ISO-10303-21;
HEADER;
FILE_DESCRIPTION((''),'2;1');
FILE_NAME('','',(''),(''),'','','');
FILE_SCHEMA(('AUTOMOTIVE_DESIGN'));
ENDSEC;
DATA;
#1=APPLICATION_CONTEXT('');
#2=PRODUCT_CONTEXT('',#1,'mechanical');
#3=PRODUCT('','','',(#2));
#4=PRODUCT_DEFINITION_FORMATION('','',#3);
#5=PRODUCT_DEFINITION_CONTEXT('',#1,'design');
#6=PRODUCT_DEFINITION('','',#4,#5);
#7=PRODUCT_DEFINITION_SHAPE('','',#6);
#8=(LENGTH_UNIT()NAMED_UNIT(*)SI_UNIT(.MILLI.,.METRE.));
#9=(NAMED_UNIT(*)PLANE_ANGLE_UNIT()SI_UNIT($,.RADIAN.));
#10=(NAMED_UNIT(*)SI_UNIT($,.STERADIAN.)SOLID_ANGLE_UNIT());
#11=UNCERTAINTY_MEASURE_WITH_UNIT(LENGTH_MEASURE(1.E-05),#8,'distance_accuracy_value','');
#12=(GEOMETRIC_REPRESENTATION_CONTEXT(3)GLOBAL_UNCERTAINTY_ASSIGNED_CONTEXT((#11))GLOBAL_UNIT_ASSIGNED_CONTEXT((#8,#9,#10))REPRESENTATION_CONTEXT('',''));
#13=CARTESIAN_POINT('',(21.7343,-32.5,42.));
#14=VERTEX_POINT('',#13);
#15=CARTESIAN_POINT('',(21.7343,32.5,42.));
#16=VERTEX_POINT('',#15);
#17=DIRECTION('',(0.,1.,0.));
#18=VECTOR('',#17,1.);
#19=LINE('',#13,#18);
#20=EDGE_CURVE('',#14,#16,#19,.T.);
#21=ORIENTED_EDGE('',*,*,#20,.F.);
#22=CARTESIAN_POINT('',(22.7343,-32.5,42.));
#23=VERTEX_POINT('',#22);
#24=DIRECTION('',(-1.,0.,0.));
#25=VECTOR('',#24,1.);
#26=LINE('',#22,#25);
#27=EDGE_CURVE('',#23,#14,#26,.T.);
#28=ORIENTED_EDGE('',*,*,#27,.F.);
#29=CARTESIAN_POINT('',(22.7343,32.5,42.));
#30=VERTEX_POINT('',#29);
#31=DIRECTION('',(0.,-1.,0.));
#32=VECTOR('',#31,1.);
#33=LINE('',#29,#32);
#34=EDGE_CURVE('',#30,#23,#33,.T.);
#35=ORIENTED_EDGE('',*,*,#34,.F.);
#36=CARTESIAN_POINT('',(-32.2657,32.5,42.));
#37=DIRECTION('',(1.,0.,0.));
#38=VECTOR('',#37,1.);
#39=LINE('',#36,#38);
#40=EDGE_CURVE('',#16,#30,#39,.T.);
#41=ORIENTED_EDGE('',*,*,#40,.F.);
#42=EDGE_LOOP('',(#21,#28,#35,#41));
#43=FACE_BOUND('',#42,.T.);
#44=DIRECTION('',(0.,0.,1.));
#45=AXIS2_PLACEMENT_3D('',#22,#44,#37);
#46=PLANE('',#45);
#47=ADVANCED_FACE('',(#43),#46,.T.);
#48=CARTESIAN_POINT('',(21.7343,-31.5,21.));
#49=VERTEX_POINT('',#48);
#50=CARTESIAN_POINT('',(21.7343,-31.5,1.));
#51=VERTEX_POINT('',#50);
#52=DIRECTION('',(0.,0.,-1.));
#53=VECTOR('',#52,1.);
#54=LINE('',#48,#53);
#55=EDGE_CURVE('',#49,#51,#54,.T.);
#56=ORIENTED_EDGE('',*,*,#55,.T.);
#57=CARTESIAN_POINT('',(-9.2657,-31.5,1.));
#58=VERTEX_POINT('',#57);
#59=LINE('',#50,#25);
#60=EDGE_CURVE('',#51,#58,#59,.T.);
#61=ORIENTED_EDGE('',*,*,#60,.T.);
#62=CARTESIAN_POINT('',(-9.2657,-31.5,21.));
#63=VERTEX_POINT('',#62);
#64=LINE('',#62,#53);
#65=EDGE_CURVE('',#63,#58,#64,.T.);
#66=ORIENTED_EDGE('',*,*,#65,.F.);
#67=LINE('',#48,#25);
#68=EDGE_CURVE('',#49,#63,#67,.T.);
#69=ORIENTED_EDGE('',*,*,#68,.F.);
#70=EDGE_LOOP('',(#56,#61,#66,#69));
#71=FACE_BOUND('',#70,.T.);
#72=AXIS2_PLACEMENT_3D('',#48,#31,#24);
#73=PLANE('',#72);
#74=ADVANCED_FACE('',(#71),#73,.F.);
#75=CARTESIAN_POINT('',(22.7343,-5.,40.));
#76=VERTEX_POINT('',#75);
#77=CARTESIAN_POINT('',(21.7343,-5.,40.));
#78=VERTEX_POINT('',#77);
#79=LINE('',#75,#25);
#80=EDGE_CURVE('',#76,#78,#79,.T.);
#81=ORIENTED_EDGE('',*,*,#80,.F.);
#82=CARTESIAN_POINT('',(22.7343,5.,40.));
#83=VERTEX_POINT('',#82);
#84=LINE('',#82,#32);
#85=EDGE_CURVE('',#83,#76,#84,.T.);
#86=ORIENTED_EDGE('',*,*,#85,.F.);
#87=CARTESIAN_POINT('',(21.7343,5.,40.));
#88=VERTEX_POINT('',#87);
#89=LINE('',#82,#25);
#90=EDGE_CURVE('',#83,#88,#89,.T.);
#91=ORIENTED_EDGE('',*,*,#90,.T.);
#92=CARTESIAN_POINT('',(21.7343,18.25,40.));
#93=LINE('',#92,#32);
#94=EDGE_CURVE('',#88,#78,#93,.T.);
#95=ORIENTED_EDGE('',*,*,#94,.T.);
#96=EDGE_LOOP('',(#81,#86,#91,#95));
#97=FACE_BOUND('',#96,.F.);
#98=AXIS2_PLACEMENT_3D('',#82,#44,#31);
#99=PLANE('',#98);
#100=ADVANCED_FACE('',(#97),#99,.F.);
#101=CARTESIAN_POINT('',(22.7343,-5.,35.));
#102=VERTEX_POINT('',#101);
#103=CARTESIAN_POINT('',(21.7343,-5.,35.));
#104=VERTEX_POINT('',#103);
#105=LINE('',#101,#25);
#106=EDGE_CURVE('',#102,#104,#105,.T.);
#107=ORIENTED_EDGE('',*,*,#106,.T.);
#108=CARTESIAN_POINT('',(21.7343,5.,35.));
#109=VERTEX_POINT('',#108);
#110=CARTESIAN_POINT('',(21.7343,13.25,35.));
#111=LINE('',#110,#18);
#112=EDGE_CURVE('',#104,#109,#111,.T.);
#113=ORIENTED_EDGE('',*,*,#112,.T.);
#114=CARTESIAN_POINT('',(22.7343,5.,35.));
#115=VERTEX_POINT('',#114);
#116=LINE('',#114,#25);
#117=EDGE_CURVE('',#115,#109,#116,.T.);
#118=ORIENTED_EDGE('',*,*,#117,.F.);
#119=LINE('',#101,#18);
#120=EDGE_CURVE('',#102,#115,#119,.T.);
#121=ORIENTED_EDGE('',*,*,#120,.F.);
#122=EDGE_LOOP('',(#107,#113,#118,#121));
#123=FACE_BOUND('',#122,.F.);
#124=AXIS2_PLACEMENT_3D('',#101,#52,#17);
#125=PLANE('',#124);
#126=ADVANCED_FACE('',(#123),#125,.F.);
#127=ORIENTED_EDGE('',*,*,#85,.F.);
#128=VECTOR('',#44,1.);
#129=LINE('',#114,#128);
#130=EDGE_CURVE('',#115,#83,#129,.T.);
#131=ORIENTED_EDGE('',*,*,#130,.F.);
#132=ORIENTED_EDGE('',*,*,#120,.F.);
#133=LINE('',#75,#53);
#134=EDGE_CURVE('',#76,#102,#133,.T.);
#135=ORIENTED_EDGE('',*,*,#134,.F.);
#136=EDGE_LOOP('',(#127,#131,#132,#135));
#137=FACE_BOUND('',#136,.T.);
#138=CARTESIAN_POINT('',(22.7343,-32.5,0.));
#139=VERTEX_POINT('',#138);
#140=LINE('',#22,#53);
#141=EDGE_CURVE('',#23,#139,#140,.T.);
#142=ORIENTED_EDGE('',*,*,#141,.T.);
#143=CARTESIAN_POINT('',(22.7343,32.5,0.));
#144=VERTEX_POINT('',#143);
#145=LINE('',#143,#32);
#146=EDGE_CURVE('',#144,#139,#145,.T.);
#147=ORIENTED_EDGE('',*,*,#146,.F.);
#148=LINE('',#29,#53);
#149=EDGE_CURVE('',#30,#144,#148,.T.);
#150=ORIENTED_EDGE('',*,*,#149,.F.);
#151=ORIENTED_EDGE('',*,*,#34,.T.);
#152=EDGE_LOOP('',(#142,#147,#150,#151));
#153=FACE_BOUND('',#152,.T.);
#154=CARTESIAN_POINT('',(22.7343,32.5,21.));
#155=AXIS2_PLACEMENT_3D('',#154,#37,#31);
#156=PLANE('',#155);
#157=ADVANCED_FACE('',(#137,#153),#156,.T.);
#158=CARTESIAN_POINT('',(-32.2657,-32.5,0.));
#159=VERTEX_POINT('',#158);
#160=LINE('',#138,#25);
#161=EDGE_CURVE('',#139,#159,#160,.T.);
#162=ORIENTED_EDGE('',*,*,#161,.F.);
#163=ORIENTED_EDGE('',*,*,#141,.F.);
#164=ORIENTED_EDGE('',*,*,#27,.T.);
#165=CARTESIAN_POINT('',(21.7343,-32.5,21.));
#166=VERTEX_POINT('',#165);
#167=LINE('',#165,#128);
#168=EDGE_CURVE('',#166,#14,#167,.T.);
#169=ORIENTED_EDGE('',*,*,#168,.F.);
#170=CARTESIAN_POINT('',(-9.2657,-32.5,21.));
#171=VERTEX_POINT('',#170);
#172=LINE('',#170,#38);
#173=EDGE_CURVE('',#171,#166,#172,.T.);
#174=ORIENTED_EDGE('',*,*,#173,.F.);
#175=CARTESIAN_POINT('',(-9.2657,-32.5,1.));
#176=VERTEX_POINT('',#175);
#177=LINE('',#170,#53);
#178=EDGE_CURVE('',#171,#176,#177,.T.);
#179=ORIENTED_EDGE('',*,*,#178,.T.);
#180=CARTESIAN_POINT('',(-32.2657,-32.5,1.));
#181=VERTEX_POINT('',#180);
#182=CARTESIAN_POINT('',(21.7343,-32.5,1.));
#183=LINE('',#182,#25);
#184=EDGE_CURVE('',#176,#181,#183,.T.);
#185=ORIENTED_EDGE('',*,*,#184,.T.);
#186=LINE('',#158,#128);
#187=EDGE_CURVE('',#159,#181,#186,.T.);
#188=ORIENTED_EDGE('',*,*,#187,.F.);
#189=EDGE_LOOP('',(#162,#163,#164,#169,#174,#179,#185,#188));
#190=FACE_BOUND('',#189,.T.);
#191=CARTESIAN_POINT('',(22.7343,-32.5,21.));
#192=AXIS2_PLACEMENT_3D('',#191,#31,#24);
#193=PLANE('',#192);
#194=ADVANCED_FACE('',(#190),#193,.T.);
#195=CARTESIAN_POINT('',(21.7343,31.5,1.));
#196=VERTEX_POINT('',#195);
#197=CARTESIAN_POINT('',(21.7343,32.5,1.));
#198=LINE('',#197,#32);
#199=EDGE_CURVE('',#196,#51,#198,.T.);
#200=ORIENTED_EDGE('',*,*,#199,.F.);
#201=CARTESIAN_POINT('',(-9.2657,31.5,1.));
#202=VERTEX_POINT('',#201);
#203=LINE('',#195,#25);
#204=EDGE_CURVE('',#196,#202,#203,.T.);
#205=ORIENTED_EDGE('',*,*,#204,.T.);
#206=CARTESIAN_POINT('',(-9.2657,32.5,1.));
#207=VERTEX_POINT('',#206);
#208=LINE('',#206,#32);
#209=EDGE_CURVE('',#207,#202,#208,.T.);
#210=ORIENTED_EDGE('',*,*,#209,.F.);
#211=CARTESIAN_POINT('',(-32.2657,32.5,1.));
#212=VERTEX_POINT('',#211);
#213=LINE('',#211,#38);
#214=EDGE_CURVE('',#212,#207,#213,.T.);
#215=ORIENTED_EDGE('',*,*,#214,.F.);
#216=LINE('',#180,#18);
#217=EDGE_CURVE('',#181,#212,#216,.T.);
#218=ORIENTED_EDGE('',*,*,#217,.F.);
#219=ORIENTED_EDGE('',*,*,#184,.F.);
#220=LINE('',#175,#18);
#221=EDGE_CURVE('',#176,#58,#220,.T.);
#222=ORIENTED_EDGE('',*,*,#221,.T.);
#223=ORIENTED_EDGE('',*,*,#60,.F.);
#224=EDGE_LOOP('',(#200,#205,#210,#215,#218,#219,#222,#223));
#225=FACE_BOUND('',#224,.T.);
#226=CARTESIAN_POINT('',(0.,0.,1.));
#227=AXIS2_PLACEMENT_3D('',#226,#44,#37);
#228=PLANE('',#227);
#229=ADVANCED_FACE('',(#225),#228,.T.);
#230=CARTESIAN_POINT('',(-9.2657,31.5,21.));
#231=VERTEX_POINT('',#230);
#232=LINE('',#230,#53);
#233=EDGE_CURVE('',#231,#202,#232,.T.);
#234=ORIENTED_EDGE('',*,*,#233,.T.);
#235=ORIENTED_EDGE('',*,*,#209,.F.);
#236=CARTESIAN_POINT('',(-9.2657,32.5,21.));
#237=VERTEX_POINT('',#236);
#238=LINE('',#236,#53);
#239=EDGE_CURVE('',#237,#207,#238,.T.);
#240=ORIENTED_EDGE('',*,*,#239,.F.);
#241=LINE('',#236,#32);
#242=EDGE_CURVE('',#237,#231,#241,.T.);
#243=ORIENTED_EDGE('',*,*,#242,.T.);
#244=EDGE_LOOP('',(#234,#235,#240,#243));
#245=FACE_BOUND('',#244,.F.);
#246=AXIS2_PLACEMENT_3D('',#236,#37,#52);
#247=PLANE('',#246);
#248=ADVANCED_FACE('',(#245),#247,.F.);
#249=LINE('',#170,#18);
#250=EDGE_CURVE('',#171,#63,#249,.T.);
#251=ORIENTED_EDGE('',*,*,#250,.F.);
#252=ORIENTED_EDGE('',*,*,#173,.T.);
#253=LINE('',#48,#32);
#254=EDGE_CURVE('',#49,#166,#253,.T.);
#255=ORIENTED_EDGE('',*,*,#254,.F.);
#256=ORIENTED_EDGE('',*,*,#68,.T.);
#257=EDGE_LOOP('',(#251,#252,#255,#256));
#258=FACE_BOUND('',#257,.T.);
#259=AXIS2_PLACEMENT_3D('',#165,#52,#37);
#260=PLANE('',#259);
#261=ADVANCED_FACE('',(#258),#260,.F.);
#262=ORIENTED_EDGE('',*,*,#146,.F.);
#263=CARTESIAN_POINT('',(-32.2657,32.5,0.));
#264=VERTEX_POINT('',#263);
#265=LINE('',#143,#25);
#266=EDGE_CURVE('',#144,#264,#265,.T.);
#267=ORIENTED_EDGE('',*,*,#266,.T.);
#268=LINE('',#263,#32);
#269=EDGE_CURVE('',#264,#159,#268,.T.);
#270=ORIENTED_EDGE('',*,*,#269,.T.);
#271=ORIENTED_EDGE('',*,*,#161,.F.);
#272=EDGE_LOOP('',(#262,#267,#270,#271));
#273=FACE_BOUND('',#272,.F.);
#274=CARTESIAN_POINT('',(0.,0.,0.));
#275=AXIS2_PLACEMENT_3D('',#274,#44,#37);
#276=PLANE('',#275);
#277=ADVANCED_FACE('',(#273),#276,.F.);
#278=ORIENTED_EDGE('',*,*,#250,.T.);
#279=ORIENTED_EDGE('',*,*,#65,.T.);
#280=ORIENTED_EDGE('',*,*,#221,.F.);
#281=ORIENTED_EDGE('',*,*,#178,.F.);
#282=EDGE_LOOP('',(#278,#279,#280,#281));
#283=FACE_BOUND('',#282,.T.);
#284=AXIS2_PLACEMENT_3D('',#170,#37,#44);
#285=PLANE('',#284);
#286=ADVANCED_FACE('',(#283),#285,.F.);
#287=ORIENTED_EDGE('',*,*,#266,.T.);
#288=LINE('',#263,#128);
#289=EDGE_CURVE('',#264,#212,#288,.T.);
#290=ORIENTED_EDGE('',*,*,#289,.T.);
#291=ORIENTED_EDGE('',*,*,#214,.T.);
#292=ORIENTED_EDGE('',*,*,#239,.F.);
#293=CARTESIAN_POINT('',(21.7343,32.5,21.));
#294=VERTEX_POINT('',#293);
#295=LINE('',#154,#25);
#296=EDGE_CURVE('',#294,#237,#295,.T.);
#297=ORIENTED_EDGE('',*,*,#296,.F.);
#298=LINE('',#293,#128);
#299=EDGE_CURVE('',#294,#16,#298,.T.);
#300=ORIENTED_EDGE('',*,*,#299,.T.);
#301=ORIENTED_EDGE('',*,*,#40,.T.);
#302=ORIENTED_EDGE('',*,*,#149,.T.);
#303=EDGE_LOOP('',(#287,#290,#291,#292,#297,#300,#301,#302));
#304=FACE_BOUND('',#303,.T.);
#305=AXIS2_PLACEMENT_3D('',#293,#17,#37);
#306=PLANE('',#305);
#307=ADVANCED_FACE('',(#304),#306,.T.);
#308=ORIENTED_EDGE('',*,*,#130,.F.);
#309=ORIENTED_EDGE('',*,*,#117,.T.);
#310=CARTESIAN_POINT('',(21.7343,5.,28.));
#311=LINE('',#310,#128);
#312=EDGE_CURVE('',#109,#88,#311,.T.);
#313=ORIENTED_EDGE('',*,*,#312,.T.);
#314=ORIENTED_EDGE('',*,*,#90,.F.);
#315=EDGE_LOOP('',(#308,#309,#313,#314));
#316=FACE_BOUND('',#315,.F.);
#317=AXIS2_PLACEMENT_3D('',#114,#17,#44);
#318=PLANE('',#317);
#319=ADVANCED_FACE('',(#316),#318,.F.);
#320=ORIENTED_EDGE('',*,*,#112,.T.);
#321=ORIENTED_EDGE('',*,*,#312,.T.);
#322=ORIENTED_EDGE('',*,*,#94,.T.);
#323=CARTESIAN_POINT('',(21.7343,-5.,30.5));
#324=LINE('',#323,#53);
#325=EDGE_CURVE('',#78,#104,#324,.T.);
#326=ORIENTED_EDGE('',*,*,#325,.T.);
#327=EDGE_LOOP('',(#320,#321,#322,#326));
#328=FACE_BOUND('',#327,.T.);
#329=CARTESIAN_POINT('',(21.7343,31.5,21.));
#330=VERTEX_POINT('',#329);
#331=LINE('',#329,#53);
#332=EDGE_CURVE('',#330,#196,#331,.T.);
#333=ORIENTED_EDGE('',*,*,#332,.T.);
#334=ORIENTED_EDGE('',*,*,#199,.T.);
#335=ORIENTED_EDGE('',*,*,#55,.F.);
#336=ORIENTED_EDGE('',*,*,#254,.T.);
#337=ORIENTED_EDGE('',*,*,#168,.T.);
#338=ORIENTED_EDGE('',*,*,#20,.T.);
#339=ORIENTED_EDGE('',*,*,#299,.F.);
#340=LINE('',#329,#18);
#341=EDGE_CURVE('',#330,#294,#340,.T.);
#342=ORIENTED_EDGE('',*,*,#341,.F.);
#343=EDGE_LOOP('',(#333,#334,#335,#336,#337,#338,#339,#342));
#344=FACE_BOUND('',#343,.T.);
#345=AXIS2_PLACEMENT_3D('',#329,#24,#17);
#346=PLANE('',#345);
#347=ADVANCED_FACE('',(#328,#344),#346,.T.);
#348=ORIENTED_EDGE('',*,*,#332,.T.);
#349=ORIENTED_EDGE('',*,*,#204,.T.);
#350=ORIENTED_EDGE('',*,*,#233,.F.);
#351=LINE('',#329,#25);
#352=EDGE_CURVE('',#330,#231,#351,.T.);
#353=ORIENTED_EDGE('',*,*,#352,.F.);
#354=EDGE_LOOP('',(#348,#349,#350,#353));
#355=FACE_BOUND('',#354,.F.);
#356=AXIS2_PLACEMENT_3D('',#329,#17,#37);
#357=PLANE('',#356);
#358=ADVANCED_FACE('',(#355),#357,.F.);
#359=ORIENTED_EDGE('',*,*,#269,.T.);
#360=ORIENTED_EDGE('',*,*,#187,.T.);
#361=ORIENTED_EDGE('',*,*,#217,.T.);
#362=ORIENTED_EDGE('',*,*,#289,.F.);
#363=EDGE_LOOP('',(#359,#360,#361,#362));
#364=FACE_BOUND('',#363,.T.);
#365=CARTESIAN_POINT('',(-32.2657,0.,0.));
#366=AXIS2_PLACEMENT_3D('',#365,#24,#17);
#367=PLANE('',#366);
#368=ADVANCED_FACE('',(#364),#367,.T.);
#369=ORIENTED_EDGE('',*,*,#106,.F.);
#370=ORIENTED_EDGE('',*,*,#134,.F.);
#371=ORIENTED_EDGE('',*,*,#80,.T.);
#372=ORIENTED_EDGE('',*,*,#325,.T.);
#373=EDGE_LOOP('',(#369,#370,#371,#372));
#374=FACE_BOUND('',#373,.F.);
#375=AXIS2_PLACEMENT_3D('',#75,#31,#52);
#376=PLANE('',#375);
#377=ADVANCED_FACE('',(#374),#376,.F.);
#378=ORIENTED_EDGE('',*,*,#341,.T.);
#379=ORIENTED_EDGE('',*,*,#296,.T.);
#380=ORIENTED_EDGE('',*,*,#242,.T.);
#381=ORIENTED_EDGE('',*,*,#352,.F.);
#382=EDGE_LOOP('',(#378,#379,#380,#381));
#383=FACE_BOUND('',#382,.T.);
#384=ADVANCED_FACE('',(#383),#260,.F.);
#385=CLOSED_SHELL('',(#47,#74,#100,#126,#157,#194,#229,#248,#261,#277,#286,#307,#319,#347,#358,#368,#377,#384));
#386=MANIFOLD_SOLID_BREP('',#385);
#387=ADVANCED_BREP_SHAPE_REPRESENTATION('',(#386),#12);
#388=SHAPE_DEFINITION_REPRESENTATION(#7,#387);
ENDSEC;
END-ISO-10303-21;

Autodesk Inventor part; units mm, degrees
ref_plane "YZ Plane" through (0, 0, 0) normal (1, 0, 0) x (0, 1, 0)
ref_plane "XZ Plane" through (0, 0, 0) normal (0, 1, 0) x (-1, 0, 0)
sketch "Sketch2" plane through (0, 0, 0) normal (0, 0, 1) x (1, 0, 0)
  line L0 (-32.2657, 32.5) -> (21.7343, 32.5)
  line L1 (21.7343, 32.5) -> (21.7343, -32.5)
  line L2 (21.7343, -32.5) -> (-32.2657, -32.5)
  line L3 (-32.2657, -32.5) -> (-32.2657, 32.5)
  line L4 (-43.0657, 0) -> (32.5343, 0) projected
  point P0 (0, 0)
  dimension "d13" = 54
  dimension "d14" = 65
extrude "Extrusion2" add sketch "Sketch2" along normal blind 1
sketch "Sketch3" plane through (21.7343, -32.5, 0) normal (1, 0, 0) x (0, 0, -1)
  line L0 (0, 0) -> (-21, 0)
  line L1 (-21, 0) -> (-21, 65)
  line L2 (-21, 65) -> (0, 65)
  line L3 (0, 65) -> (0, 0)
  line L4 (-1, 0) -> (-1, 65) projected
  line L5 (0, 65) -> (0, 0) projected
  line L6 (0, 65) -> (-1, 65) projected
  point P0 (0, 32.5)
  dimension "d9" = 20
extrude "Extrusion3" add sketch "Sketch3" along normal blind 1
sketch "Sketch4" plane through (21.7343, 32.5, 21) normal (0, 1, 0) x (1, 0, 0)
  line L0 (0, 20) -> (-54, 20) projected
  line L1 (0, 0) -> (0, 20) projected
  line L2 (-31, 20) -> (0, 20)
  line L3 (0, 20) -> (0, 0)
  line L4 (0, 0) -> (-31, 0)
  line L5 (-31, 0) -> (-31, 20)
  line L6 (1, 21) -> (1, 0) projected
  point P0 (-21.7343, 21)
  dimension "d15" = 32
extrude "Extrusion4" add sketch "Sketch4" against normal blind 1
ref_plane "Work Plane2" through (21.7343, 0, 1) normal (0, -1, 0) x (1, 0, 0)
mirror "Mirror3" about plane through (21.7343, 0, 1) normal (0, -1, 0) of "Extrusion4"
sketch "Sketch5" plane through (22.7343, -32.5, 21) normal (0, 0, 1) x (1, 0, 0)
  line L0 (-1, 64) -> (-32, 64) projected
  line L1 (-1, 64) -> (-1, 65)
  line L2 (-55, 65) -> (0, 65) projected
  line L3 (-32, 1) -> (-1, 1) projected
  line L4 (-1, 1) -> (-1, 0)
  line L5 (0, 0) -> (-55, 0) projected
  line L6 (-1, 1) -> (-1, 64) projected
  line L7 (0, 65) -> (0, 0) projected
  line L8 (0, 65) -> (-32, 65) projected
  line L9 (0, 0) -> (-32, 0) projected
  point P0 (-22.7343, 32.5)
extrude "Extrusion5" add sketch "Sketch5" along normal blind 21
sketch "Sketch6" plane through (22.7343, -32.5, 0) normal (1, 0, 0) x (0, 0, -1)
  line L0 (-35, 37.5) -> (-40, 37.5)
  line L1 (-40, 37.5) -> (-40, 27.5)
  line L2 (-40, 27.5) -> (-35, 27.5)
  line L3 (-35, 27.5) -> (-35, 37.5)
  line L4 (-42, 0) -> (-42, 65) projected
  line L5 (0, 32.5) -> (-42, 32.5) construction
  dimension "d18" = 2
  dimension "d19" = 5
  dimension "d20" = 10
extrude "Extrusion6" cut sketch "Sketch6" against normal up to next
properties part number "ProjectXBaseTop"
